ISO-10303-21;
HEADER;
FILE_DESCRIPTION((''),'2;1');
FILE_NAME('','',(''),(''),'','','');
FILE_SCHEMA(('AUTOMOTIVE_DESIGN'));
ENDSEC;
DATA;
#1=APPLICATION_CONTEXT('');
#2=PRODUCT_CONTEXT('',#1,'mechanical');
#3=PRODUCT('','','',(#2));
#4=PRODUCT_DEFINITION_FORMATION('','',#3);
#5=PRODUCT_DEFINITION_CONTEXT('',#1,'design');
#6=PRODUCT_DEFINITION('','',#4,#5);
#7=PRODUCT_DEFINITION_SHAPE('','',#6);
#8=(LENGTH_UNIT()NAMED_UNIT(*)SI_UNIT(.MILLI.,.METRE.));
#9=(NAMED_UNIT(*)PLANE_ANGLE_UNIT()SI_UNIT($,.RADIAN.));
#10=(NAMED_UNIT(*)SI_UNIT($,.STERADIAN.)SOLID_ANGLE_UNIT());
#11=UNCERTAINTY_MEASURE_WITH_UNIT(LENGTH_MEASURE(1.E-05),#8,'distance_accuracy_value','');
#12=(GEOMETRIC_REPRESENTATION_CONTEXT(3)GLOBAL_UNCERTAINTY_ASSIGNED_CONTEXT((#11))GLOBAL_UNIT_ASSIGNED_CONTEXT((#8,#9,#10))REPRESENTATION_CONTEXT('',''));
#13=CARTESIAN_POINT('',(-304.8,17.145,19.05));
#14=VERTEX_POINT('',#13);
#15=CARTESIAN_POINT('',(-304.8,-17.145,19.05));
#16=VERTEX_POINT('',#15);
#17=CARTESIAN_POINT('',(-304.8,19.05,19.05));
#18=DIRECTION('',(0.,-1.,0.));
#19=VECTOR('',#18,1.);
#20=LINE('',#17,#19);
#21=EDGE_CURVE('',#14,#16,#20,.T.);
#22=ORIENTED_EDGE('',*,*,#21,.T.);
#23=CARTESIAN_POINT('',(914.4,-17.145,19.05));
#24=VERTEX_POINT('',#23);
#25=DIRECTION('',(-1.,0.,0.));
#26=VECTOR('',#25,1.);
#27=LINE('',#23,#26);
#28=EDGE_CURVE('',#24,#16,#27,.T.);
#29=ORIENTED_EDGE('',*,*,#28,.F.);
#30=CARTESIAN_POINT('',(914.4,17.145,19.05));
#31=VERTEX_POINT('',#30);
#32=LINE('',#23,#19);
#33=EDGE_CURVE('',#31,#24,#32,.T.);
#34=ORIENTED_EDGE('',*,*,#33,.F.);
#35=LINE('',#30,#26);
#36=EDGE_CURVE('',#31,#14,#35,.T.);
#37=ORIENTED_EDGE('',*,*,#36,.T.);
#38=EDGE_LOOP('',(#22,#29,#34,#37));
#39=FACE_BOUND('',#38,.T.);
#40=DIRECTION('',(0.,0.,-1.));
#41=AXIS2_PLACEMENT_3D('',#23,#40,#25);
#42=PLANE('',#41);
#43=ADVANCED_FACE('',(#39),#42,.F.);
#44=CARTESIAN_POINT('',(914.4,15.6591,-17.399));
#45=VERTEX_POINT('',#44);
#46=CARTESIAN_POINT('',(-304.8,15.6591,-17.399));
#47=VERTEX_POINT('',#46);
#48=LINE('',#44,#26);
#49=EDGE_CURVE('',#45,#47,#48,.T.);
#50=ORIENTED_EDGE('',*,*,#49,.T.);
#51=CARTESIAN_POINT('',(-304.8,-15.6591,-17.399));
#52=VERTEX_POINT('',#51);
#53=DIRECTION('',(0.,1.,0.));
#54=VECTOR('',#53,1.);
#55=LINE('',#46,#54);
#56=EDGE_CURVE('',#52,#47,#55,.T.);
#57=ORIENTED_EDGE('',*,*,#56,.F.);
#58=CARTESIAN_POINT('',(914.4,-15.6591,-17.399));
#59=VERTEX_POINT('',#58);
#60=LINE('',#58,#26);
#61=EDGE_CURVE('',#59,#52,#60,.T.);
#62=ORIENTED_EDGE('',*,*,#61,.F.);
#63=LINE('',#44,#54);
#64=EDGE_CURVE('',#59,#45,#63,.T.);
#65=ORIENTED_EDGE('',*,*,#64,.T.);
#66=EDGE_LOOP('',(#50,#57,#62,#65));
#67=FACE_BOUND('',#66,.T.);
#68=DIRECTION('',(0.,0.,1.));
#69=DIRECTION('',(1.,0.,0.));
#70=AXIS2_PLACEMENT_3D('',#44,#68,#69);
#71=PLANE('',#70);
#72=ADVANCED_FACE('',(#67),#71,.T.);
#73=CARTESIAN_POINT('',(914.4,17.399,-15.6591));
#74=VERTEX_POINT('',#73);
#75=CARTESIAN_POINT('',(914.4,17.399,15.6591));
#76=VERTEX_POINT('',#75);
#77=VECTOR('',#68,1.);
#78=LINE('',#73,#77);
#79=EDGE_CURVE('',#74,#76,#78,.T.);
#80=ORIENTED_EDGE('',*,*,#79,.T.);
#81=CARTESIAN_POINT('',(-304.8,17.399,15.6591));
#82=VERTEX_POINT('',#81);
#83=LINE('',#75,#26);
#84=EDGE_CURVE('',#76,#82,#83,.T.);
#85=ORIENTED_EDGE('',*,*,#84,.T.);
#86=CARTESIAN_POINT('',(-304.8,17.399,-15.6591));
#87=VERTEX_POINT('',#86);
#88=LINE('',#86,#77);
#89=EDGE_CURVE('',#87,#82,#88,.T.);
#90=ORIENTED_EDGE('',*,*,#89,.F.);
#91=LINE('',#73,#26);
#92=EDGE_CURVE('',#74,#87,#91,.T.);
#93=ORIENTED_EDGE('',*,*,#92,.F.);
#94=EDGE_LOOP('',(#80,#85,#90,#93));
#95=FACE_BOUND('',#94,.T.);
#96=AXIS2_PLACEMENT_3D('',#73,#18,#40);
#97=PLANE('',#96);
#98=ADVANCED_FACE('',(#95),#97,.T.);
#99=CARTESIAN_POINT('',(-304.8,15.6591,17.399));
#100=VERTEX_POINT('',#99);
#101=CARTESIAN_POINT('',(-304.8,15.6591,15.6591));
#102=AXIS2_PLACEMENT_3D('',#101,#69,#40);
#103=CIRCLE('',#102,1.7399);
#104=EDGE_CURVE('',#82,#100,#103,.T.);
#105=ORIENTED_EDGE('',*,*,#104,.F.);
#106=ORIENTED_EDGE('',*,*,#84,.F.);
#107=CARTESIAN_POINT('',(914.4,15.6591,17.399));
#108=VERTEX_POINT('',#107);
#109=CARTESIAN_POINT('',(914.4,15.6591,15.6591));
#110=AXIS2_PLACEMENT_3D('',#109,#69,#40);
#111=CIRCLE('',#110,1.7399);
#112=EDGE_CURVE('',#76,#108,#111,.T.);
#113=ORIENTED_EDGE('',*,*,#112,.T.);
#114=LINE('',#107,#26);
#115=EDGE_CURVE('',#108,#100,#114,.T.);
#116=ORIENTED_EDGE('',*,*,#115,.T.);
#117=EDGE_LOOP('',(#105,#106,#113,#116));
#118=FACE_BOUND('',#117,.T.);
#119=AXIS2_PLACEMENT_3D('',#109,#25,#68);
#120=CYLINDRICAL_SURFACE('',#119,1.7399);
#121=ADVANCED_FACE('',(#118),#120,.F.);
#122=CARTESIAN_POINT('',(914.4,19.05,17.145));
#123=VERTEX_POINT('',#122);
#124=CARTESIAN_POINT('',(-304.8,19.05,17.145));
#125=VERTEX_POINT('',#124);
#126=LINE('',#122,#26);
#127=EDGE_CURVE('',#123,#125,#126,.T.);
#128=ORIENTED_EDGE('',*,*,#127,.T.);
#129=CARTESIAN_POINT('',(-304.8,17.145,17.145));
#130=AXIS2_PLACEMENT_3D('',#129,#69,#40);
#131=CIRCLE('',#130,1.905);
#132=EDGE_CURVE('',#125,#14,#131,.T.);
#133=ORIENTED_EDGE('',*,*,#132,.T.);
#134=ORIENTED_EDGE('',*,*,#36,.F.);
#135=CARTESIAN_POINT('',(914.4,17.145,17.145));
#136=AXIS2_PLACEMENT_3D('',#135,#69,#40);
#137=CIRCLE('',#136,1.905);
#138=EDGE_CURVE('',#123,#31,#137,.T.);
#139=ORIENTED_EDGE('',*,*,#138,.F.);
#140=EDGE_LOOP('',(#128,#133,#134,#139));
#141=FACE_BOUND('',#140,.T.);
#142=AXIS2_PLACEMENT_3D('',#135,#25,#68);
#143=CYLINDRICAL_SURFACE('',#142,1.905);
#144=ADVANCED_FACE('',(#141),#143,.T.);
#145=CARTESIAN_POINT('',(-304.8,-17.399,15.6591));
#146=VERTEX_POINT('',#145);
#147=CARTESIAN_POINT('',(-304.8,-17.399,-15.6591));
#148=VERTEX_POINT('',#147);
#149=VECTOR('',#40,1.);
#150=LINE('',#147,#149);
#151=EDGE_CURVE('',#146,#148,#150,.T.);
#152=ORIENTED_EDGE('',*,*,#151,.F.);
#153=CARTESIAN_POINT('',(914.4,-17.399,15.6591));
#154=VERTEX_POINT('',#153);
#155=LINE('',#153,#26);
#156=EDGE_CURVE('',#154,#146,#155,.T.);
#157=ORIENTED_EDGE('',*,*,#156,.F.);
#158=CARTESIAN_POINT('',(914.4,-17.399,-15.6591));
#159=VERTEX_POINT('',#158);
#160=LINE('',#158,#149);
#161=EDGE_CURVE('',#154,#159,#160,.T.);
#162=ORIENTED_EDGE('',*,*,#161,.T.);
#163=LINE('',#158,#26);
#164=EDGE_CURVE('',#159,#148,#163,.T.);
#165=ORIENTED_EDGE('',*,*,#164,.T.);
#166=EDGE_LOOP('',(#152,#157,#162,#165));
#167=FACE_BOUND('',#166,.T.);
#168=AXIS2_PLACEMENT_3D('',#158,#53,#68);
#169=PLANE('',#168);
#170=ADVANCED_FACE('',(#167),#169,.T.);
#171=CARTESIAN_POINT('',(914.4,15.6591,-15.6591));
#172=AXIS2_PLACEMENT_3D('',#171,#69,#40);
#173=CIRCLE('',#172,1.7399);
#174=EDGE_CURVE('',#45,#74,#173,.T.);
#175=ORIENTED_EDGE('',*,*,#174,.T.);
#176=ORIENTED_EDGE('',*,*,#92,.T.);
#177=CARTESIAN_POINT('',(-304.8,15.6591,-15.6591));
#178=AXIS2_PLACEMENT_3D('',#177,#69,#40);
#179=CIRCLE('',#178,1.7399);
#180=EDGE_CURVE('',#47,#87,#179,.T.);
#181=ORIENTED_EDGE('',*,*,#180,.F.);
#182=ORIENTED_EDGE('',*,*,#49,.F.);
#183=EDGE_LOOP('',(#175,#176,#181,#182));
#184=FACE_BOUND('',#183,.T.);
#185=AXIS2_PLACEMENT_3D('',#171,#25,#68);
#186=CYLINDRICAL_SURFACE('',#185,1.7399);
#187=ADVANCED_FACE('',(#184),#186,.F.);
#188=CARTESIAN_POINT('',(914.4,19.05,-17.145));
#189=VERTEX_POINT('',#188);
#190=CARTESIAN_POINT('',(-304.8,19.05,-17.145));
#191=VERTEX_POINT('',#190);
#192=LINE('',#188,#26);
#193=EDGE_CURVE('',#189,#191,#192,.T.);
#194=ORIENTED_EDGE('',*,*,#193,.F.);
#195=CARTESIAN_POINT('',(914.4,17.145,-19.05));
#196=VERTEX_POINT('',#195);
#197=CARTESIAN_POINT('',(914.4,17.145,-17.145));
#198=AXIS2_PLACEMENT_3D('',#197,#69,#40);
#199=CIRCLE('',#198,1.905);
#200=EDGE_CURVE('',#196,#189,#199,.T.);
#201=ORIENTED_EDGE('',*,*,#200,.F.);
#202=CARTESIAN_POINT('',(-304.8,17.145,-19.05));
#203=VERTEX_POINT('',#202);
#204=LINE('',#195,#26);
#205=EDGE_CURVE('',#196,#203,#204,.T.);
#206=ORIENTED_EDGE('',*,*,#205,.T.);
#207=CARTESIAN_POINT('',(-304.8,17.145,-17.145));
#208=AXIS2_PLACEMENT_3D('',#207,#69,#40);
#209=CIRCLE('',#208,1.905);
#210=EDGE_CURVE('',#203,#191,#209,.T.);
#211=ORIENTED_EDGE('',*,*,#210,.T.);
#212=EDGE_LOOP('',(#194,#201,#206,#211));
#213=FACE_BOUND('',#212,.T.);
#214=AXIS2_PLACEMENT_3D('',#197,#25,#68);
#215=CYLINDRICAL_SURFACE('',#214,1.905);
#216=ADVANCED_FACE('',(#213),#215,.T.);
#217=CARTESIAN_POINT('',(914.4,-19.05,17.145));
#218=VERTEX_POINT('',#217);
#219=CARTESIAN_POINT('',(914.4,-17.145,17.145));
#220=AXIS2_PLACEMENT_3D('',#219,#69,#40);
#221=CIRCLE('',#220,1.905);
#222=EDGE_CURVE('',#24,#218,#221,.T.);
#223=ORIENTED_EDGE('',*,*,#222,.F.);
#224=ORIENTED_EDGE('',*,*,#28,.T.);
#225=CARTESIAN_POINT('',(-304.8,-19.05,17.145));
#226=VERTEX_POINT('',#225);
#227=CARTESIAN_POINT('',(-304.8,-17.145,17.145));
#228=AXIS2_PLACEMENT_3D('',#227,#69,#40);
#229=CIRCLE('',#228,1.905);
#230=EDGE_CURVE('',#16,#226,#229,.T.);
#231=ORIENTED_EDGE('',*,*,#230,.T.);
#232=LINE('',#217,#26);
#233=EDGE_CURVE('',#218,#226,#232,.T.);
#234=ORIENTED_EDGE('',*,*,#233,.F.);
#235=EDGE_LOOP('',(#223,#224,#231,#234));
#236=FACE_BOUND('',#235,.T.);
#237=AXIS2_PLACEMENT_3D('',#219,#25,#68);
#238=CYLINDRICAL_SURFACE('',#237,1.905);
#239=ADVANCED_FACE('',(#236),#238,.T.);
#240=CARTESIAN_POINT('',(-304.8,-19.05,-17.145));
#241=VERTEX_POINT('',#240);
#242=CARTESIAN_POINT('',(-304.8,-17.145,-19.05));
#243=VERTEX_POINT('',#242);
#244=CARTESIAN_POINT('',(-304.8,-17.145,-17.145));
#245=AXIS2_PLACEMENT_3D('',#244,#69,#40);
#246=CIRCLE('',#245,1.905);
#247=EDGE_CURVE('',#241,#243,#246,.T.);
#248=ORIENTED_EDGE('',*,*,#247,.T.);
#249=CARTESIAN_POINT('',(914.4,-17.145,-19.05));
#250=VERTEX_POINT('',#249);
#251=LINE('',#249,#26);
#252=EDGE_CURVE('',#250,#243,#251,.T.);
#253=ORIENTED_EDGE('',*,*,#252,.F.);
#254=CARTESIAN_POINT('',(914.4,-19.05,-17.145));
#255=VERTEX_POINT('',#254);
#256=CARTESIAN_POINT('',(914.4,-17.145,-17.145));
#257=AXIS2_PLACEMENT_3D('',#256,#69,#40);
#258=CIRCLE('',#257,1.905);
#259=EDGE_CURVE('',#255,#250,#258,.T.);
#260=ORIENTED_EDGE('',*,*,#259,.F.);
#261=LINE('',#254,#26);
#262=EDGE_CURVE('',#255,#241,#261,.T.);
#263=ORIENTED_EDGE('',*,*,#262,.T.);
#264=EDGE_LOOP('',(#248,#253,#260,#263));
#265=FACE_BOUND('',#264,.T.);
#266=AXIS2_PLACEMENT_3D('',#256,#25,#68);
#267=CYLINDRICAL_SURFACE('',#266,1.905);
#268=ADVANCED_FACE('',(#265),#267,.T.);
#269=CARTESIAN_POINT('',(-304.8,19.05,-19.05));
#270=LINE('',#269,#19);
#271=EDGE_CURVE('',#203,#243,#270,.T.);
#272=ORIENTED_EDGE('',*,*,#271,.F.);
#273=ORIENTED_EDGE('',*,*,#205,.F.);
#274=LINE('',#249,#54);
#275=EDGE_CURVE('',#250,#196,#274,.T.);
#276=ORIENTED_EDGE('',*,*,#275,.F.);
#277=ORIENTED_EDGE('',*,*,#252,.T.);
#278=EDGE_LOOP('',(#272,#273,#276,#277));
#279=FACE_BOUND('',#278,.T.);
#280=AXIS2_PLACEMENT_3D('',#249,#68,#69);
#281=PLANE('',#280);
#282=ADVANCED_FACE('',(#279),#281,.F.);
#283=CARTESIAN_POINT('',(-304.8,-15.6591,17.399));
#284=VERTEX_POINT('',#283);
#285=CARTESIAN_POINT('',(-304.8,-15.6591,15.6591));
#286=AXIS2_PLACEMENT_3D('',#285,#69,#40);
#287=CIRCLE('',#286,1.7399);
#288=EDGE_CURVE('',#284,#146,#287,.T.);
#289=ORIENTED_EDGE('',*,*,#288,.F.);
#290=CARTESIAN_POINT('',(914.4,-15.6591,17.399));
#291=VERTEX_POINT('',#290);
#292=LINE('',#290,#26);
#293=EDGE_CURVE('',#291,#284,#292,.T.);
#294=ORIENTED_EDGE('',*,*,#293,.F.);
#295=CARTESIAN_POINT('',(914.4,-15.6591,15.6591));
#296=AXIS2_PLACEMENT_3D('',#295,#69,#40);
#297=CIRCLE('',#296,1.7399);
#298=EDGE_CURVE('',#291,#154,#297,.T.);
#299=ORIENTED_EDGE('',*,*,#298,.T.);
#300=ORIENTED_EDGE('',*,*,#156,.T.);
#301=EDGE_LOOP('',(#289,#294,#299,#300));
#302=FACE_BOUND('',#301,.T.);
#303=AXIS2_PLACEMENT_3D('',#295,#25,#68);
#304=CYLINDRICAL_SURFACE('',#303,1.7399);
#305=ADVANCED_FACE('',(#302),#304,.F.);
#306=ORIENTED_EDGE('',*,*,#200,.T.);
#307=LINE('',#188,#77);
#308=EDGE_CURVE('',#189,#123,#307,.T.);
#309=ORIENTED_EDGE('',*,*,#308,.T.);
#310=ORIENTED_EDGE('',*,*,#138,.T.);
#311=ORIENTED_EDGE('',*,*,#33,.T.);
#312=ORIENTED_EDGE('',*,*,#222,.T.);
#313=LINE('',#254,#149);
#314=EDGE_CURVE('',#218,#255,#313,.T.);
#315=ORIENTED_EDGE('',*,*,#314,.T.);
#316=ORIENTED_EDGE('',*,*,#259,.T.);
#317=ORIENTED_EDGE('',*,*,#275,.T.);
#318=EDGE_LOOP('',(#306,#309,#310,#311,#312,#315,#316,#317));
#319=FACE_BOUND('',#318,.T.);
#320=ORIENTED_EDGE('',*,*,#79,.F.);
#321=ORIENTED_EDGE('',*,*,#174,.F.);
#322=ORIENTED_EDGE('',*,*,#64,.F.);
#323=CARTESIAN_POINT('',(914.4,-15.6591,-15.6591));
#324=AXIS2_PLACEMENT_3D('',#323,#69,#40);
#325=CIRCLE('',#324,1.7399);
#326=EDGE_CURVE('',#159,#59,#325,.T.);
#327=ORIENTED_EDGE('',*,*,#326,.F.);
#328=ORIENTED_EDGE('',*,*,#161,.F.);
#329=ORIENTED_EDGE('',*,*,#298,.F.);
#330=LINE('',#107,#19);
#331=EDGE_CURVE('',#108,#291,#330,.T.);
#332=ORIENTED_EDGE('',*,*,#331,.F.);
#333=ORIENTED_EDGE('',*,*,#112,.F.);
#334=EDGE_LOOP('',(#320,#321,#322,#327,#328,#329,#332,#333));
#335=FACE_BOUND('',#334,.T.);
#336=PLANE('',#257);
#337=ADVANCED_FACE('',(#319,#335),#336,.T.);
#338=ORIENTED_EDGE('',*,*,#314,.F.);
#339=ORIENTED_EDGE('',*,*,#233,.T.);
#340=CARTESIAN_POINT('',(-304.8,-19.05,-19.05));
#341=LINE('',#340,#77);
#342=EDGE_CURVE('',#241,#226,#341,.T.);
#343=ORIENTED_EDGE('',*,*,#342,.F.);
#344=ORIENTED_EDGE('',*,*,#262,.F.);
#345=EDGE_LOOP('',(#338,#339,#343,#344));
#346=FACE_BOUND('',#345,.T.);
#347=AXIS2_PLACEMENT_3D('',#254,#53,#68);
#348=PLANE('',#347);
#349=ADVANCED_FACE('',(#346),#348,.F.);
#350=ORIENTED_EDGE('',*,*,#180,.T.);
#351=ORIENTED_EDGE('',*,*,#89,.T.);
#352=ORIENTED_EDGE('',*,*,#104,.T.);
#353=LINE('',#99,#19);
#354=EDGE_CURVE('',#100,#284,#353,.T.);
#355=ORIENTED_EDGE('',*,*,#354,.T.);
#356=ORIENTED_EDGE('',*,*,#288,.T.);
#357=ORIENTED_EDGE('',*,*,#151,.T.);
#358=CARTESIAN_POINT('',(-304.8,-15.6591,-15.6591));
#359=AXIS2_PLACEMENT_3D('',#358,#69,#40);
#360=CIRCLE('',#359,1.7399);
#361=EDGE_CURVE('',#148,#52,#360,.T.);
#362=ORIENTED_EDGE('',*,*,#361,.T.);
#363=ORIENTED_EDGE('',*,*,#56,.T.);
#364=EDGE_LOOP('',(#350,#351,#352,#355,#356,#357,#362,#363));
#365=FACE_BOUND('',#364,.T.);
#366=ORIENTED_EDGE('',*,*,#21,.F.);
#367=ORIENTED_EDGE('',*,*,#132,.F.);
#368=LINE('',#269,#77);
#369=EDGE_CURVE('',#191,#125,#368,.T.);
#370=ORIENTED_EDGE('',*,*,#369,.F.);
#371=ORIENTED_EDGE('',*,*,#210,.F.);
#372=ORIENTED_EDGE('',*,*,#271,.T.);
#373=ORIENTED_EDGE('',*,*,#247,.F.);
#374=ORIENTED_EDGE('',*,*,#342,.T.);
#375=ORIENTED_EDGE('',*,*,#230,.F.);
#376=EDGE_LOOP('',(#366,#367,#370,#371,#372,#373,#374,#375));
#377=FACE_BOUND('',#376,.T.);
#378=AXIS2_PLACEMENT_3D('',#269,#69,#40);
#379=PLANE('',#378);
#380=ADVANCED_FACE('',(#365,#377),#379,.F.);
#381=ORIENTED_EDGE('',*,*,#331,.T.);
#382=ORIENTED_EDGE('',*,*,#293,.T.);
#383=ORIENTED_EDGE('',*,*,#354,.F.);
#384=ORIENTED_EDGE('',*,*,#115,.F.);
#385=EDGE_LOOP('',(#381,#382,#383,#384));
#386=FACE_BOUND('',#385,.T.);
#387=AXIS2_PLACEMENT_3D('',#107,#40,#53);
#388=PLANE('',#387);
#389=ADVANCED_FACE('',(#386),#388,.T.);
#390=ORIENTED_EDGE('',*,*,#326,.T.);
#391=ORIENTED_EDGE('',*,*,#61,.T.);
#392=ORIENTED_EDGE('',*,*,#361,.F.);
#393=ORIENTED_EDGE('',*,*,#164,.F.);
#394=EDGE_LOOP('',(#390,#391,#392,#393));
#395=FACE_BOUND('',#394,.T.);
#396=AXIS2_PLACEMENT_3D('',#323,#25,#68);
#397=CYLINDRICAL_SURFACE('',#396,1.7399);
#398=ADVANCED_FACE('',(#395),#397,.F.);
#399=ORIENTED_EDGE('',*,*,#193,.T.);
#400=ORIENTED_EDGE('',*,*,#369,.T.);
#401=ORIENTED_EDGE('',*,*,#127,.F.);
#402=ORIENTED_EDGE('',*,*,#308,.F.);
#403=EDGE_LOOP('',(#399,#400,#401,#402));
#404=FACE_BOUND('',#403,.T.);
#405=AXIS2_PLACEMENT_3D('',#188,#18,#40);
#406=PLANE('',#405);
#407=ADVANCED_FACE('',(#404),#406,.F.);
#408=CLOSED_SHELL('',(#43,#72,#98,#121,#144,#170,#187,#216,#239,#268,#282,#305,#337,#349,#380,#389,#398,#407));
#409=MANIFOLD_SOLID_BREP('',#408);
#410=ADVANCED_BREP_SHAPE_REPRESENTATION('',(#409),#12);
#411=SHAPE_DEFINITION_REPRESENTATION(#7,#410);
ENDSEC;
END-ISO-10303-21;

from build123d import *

# Parameters (mm, degrees)
BOSS_EXTRUDE1_DEPTH      = 914.4
BOSS_EXTRUDE1_DEPTH_BACK = 914.4
SKETCH5_W                = 609.6
SKETCH5_H                = 38.1
CUT_EXTRUDE1_DEPTH       = 39.1


with BuildPart() as part:
    # Sketch4 → Boss-Extrude1 (new body, two sides)
    with BuildSketch(Plane(origin=(0, 0, 0), x_dir=(0, 0, -1), z_dir=(1, 0, 0))) as boss_extrude1_sk:
        with BuildLine():
            Line((19.05, -17.145), (19.05, 17.145))
            ThreePointArc((19.05, 17.145), (18.492038418, 18.492038418), (17.145, 19.05))
            Line((17.145, 19.05), (-17.145, 19.05))
            ThreePointArc((-17.145, 19.05), (-18.492038418, 18.492038418), (-19.05, 17.145))
            Line((-19.05, 17.145), (-19.05, -17.145))
            ThreePointArc((-19.05, -17.145), (-18.492038418, -18.492038418), (-17.145, -19.05))
            Line((-17.145, -19.05), (17.145, -19.05))
            ThreePointArc((17.145, -19.05), (18.492038418, -18.492038418), (19.05, -17.145))
        make_face()
        with BuildLine():
            Line((17.399, 15.6591), (17.399, -15.6591))
            ThreePointArc((17.399, -15.6591), (16.889395089, -16.889395089), (15.6591, -17.399))
            Line((15.6591, -17.399), (-15.6591, -17.399))
            ThreePointArc((-15.6591, -17.399), (-16.889395089, -16.889395089), (-17.399, -15.6591))
            Line((-17.399, -15.6591), (-17.399, 15.6591))
            ThreePointArc((-17.399, 15.6591), (-16.889395089, 16.889395089), (-15.6591, 17.399))
            Line((-15.6591, 17.399), (15.6591, 17.399))
            ThreePointArc((15.6591, 17.399), (16.889395089, 16.889395089), (17.399, 15.6591))
        make_face(mode=Mode.SUBTRACT)
    extrude(amount=BOSS_EXTRUDE1_DEPTH)
    extrude(boss_extrude1_sk.sketch, amount=-BOSS_EXTRUDE1_DEPTH_BACK)

    # Sketch5 → Cut-Extrude1 (cut, through all)
    with BuildSketch(Plane.XZ.offset(19.05)):
        with Locations((-609.6, 0)):
            Rectangle(SKETCH5_W, SKETCH5_H)
    extrude(amount=-CUT_EXTRUDE1_DEPTH, mode=Mode.SUBTRACT)


solid = part.part
